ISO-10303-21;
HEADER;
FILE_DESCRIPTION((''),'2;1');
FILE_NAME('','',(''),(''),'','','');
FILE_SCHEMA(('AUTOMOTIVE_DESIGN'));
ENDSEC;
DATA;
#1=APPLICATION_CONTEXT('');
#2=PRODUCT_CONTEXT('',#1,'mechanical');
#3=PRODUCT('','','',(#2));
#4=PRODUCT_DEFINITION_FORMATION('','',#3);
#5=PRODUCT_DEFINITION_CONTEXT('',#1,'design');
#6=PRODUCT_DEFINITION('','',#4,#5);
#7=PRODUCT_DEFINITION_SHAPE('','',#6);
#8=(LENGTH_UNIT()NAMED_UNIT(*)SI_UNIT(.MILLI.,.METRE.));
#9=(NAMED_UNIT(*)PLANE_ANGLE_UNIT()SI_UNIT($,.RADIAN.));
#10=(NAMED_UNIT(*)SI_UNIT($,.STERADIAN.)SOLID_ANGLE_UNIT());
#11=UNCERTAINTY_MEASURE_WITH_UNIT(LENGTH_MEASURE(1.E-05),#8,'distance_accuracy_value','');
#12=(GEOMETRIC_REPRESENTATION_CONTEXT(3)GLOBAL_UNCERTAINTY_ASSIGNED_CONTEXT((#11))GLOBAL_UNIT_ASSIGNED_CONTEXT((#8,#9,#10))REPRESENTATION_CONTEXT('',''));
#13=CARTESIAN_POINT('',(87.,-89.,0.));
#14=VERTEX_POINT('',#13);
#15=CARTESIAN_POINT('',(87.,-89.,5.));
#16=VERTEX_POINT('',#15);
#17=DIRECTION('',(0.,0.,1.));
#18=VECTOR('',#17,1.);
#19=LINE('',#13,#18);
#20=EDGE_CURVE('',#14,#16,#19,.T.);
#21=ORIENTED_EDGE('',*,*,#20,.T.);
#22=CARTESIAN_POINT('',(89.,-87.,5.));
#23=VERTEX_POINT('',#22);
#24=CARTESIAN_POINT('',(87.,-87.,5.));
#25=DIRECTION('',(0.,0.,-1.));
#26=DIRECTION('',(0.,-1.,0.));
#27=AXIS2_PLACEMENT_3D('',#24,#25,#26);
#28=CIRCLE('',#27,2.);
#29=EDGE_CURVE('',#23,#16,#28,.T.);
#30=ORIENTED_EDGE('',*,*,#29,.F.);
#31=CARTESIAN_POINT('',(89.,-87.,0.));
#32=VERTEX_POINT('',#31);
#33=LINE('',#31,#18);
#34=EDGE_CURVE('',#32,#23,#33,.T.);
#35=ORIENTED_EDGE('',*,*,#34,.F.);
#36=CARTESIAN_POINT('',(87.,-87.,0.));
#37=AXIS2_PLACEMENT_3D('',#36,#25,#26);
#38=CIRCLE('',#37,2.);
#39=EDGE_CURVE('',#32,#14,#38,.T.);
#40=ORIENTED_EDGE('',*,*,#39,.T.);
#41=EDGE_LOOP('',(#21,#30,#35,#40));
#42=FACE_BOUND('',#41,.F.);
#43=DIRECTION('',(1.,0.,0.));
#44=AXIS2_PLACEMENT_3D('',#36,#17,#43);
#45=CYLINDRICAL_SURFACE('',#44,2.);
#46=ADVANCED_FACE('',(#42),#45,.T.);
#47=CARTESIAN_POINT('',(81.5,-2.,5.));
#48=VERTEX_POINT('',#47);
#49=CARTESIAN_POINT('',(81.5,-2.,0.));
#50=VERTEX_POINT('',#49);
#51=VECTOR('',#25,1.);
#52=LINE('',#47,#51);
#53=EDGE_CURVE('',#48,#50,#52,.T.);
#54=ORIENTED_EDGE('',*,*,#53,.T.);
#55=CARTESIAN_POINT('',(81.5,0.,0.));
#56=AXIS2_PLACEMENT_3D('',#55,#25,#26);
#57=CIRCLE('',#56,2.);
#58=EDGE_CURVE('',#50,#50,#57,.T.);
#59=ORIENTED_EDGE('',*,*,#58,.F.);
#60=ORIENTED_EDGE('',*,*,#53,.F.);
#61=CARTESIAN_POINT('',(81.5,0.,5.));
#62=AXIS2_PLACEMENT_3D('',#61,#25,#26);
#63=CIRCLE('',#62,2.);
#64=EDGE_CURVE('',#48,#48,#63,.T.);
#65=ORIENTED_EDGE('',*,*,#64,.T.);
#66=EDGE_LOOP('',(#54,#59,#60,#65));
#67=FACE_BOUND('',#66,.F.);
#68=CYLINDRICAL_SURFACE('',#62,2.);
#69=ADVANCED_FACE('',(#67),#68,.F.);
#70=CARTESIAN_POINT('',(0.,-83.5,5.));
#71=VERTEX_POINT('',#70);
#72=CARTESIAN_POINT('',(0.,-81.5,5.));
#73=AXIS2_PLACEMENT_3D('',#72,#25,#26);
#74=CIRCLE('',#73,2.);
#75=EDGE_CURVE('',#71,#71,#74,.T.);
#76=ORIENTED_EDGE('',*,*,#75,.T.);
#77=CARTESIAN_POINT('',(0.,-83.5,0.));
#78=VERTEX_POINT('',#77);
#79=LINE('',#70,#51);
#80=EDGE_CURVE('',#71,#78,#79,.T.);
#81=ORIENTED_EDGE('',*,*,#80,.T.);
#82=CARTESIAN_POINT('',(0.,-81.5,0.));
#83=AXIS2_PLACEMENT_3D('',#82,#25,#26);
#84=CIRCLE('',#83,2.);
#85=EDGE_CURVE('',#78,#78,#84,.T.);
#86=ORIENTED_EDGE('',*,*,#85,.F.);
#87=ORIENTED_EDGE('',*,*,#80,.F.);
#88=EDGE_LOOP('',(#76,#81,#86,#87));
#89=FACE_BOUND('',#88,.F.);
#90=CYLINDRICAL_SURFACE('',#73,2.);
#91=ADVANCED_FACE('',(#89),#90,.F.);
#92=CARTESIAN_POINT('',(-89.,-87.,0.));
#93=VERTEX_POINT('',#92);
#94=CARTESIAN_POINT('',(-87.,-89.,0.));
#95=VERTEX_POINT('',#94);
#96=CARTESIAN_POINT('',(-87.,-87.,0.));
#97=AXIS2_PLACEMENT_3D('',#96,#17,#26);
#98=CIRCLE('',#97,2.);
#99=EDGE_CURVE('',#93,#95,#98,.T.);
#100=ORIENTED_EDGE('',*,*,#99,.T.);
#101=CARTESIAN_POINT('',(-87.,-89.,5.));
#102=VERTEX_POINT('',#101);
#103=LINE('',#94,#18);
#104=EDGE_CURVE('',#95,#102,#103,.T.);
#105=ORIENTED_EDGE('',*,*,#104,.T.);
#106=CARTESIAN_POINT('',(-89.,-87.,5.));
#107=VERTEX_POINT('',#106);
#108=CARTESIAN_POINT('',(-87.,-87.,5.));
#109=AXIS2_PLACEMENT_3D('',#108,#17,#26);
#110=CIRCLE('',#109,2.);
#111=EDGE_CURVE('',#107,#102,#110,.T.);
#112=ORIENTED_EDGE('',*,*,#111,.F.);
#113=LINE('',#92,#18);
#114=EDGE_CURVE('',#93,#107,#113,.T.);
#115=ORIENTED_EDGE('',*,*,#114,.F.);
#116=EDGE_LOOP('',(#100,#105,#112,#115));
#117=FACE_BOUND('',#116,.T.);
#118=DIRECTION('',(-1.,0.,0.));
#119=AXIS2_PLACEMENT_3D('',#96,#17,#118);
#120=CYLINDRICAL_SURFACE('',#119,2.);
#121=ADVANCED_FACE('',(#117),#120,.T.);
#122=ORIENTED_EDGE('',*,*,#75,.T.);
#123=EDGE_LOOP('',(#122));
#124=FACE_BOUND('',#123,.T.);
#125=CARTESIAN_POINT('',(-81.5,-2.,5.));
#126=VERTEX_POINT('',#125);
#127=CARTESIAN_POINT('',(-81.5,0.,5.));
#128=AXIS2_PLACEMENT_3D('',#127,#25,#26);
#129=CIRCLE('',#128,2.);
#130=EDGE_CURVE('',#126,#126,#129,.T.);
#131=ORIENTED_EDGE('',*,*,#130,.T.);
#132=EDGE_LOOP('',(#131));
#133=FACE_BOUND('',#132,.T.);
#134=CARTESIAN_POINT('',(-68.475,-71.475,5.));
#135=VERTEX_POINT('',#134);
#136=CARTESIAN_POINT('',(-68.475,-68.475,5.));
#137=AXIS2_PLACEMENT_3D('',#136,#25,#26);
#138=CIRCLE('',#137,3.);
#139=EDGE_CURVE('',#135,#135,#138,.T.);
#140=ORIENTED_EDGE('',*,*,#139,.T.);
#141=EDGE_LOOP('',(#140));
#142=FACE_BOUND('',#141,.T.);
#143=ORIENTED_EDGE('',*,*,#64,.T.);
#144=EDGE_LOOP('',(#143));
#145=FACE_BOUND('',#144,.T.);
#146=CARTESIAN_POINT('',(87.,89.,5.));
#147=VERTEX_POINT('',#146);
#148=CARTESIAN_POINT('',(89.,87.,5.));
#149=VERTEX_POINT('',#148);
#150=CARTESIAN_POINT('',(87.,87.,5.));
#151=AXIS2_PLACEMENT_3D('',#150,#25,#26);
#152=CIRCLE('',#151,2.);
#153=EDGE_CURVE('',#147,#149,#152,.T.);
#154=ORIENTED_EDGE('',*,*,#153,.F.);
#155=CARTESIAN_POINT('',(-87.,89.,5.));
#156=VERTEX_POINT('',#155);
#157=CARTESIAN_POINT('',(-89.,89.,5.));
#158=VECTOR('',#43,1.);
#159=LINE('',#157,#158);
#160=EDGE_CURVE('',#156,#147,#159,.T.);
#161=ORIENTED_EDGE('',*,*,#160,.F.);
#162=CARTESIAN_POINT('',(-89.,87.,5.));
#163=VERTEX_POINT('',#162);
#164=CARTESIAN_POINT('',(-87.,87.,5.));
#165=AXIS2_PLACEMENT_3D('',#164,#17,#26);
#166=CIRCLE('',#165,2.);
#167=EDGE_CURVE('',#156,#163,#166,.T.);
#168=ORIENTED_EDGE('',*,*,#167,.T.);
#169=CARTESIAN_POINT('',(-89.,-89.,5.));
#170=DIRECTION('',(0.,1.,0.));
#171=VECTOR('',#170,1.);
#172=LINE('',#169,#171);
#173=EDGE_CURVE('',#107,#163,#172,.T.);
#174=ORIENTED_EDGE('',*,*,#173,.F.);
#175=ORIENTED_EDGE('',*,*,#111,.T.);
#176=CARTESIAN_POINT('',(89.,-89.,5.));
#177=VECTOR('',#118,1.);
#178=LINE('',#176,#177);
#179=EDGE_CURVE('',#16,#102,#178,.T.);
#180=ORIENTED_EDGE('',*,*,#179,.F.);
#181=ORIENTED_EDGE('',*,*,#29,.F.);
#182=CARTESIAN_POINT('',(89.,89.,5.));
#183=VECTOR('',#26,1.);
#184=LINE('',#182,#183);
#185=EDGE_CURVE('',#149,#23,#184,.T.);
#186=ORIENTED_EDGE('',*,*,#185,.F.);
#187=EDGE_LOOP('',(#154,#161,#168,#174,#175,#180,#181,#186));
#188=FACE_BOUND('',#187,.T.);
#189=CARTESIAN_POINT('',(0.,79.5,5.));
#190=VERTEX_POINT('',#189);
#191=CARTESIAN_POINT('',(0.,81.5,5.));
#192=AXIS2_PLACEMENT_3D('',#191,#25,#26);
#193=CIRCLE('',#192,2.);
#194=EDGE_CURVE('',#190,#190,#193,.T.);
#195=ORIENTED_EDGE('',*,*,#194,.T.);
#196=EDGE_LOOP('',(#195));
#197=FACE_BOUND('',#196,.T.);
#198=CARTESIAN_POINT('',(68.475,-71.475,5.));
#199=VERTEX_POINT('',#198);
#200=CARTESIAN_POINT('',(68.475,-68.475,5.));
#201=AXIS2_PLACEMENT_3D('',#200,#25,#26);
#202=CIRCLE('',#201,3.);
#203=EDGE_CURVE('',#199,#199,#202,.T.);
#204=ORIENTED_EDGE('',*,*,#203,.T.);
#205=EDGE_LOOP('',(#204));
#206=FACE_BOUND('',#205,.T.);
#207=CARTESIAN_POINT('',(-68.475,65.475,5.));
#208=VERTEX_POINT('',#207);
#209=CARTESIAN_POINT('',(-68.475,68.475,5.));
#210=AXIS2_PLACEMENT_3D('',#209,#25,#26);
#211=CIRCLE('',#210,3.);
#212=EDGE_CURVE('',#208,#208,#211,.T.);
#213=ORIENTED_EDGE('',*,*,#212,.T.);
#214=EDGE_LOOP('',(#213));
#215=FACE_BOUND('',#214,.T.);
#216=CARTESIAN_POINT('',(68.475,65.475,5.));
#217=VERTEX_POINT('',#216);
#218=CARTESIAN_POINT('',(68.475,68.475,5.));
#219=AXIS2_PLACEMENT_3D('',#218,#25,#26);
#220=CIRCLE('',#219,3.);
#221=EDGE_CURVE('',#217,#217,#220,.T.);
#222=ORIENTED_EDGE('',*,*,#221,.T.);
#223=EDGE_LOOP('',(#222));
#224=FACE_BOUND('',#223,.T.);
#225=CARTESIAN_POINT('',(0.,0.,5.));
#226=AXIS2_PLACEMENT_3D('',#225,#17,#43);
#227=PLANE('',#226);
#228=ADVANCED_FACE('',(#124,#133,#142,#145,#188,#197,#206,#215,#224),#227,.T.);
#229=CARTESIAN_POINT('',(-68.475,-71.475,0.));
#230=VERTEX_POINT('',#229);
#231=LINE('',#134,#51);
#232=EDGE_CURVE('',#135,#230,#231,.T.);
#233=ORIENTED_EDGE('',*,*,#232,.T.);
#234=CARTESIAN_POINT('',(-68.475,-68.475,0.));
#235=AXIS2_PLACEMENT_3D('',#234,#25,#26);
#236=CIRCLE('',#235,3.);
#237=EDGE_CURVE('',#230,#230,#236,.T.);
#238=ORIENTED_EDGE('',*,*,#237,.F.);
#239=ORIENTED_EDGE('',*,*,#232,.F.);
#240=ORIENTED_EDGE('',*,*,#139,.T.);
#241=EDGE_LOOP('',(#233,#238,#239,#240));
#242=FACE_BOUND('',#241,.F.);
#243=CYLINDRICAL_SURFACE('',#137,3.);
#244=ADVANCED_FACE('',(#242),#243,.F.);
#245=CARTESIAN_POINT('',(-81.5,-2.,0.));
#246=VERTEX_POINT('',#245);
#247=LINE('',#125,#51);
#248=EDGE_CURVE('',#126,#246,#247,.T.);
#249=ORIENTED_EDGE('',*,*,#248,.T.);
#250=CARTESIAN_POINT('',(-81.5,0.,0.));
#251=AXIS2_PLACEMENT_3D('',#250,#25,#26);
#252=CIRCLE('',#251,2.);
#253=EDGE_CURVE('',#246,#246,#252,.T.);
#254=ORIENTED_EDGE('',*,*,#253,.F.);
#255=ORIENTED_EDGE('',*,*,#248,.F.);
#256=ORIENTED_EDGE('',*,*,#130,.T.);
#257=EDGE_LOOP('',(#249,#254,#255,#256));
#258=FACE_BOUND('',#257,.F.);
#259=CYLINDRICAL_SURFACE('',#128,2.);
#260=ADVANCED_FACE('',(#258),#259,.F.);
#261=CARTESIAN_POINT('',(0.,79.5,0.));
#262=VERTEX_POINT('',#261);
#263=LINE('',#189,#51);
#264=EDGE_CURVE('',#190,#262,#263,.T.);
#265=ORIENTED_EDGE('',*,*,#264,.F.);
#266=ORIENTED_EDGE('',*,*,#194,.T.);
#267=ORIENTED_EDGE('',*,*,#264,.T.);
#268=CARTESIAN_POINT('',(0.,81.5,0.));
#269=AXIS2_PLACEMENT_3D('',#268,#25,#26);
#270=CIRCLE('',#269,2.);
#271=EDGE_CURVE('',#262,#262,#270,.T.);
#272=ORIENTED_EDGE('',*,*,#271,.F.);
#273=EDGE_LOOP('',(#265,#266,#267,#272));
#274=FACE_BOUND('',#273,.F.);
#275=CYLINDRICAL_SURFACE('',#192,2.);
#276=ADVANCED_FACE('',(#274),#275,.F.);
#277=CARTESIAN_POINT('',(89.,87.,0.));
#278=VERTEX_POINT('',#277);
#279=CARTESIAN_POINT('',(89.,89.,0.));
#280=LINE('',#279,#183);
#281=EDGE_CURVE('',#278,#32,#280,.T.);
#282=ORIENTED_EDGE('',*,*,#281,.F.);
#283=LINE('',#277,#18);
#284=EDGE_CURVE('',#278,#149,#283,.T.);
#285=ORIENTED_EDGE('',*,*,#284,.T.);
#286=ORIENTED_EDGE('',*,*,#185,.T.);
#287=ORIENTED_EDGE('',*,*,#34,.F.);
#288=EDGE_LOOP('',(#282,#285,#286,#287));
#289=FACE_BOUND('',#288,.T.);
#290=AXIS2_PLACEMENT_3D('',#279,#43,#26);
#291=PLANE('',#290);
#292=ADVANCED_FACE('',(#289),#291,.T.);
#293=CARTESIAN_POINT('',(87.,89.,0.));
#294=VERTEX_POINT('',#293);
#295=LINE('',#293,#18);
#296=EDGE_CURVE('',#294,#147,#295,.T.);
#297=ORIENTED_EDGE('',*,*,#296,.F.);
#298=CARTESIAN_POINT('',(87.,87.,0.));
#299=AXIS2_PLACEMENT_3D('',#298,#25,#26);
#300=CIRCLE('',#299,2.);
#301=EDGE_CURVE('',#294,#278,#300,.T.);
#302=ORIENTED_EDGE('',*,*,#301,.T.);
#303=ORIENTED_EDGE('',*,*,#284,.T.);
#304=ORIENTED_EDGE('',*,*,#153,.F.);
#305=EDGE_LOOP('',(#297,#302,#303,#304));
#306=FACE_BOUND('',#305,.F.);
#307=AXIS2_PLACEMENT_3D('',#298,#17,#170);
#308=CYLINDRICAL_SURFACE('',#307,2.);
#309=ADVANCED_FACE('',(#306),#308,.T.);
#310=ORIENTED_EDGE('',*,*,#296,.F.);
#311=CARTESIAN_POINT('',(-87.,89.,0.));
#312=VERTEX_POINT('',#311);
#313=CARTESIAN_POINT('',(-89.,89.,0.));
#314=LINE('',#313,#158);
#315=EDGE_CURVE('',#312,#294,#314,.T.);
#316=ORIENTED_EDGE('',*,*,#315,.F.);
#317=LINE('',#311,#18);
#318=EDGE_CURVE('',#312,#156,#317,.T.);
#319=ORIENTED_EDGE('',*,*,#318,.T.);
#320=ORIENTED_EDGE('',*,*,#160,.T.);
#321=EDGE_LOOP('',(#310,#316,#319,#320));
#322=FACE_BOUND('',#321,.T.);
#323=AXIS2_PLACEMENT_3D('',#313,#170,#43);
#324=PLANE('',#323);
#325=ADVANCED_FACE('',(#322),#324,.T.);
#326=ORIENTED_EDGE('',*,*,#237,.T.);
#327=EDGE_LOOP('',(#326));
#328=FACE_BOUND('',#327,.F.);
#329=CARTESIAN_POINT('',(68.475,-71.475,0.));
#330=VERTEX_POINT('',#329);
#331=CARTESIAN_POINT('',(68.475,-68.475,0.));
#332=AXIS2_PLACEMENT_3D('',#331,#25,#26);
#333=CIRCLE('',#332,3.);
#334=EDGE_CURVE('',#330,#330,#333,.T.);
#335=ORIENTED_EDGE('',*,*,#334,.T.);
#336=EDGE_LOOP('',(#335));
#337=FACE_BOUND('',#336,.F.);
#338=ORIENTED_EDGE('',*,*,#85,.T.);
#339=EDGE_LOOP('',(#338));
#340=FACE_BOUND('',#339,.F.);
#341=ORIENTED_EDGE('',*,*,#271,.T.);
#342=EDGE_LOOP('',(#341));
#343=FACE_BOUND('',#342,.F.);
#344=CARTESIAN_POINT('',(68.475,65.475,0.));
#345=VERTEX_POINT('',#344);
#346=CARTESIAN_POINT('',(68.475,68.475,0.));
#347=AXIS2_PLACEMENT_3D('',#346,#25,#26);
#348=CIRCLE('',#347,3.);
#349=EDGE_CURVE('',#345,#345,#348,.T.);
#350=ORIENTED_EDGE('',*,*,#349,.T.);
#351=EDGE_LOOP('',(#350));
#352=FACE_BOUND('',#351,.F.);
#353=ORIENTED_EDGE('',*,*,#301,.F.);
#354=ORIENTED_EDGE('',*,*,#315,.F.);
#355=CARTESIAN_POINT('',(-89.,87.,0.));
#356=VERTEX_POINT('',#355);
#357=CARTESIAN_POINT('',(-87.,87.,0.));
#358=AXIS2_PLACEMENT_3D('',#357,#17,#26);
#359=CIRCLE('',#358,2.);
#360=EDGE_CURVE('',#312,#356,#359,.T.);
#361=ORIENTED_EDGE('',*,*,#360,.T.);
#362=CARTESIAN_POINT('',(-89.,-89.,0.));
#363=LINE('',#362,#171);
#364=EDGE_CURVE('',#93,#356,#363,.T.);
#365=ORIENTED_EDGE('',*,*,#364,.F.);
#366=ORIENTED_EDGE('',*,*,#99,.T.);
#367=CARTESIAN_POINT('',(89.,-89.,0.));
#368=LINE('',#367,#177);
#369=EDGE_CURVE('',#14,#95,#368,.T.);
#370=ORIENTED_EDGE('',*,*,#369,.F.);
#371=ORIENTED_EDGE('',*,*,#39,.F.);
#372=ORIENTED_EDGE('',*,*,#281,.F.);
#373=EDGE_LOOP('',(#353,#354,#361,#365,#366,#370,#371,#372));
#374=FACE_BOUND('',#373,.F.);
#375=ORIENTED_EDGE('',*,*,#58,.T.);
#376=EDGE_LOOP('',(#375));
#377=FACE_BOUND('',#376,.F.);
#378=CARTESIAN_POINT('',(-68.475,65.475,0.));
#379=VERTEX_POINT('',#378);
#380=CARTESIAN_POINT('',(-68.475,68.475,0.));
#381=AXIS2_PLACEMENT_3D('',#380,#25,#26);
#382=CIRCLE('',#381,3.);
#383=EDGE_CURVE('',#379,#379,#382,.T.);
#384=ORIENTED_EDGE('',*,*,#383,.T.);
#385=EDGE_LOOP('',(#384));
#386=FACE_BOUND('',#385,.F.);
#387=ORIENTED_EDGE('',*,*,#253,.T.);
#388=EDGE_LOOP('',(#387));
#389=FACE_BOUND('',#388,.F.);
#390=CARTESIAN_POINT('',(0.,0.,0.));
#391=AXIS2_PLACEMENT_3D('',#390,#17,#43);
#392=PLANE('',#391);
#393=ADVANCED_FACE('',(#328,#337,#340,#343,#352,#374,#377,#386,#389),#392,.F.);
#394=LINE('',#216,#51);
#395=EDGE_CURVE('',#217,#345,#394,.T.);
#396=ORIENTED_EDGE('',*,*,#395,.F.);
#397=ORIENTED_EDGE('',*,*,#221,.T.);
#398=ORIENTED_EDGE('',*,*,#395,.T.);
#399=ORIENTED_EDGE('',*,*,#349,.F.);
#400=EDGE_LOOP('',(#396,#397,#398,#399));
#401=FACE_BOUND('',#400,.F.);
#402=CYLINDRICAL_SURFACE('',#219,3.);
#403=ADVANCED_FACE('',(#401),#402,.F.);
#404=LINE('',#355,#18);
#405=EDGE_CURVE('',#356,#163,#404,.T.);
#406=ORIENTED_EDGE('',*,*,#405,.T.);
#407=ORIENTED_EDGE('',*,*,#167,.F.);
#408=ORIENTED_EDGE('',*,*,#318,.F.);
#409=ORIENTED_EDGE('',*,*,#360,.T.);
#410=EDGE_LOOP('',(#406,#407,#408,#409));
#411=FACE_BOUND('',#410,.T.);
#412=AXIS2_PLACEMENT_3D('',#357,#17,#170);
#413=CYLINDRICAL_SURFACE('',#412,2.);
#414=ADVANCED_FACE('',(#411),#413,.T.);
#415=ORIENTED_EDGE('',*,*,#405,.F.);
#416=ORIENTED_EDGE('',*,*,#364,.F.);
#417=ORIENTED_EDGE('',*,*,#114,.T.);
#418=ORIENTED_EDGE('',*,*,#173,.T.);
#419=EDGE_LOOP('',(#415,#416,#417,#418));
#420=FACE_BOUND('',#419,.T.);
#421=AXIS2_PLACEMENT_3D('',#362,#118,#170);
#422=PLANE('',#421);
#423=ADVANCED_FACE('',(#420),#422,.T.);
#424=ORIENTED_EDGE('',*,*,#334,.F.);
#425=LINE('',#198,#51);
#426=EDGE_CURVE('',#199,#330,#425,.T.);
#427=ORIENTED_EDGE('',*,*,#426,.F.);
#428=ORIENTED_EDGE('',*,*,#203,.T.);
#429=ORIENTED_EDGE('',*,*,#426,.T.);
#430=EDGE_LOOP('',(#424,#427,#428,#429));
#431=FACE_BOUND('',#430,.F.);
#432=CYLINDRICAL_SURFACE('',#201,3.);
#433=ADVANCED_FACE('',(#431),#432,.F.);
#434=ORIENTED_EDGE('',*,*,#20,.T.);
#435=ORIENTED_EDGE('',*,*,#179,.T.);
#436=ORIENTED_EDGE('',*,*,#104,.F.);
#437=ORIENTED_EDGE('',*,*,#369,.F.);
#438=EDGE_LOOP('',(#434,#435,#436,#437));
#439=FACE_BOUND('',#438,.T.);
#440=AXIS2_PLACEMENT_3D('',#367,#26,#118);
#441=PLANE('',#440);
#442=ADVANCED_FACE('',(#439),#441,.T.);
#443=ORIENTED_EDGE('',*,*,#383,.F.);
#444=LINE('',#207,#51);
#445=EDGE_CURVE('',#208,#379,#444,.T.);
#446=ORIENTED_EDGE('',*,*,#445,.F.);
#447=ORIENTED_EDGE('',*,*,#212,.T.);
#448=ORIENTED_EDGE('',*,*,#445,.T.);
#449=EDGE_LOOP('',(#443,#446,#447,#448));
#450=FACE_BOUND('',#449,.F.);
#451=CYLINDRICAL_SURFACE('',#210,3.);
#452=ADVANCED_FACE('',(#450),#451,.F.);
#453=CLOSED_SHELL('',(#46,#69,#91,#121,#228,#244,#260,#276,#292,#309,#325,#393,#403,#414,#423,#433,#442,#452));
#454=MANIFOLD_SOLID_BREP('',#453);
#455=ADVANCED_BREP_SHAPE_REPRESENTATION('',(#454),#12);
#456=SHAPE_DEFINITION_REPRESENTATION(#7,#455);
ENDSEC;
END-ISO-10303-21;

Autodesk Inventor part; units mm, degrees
ref_plane "YZ Plane" through (0, 0, 0) normal (1, 0, 0) x (0, 1, 0)
ref_plane "XZ Plane" through (0, 0, 0) normal (0, 1, 0) x (-1, 0, 0)
ref_plane "XY Plane" through (0, 0, 0) normal (0, 0, 1) x (1, 0, 0)
sketch "Sketch1" plane through (0, 0, 0) normal (0, 0, 1) x (1, 0, 0)
  line L0 (-89, 89) -> (89, 89)
  line L1 (89, 89) -> (89, -89)
  line L2 (89, -89) -> (-89, -89)
  line L3 (-89, -89) -> (-89, 89)
  point P0 (0, 0)
  dimension "d33" = 178
  dimension "d34" = 89
  dimension "d35" = 89
extrude "Extrusion1" add sketch "Sketch1" along normal blind 5
sketch "Sketch2" plane through (0, 0, 5) normal (0, 0, 1) x (1, 0, 0)
  circle A0 centre (-81.5, 0) radius 2
  circle A1 centre (81.5, 0) radius 2
  line L0 (-78.5, 36.125) -> (-78.5, 56.125) projected
  line L1 (78.5, 56.125) -> (78.5, 36.125) projected
  circle A2 centre (0, 81.5) radius 2
  circle A3 centre (0, -81.5) radius 2
  line L2 (36.125, 78.5) -> (56.125, 78.5) projected
  line L3 (56.125, -78.5) -> (36.125, -78.5) projected
  line L4 (-89, 89) -> (-89, -89) projected
  line L5 (89, 89) -> (-89, 89) projected
  line L6 (89, -89) -> (89, 89) projected
  line L7 (-89, -89) -> (89, -89) projected
  point P0 (0, 0)
  point P1 (-78.5, -56.125)
  point P2 (78.5, -56.125)
  point P3 (-56.125, 78.5)
  point P4 (-56.125, -78.5)
  dimension "d18" = 4
  dimension "d37" = 7.5
  dimension "d38" = 7.5
  dimension "d39" = 7.5
  dimension "d40" = 7.5
hole "Hole1" at (-81.5, 0, 5) at (0, 81.5, 5) at (81.5, 0, 5) at (0, -81.5, 5) direction (0, 0, -1) diameter 4 end through all
fillet "Fillet1" radius 2 4 edges at (-89, -89, 2.5) (-89, 89, 2.5) (89, -89, 2.5) (89, 89, 2.5)
sketch "Sketch3" plane through (0, 0, 5) normal (0, 0, 1) x (1, 0, 0)
  line L0 (68.475, -68.475) -> (-68.475, -68.475)
  line L1 (-68.475, -68.475) -> (-68.475, 68.475)
  line L2 (-68.475, 68.475) -> (68.475, 68.475)
  line L3 (68.475, 68.475) -> (68.475, -68.475)
  line L4 (68.475, -68.475) -> (-68.475, 68.475) construction
  line L5 (-68.475, -68.475) -> (68.475, 68.475) construction
  circle A0 centre (-68.475, 68.475) radius 4.875
  point P0 (0, 0)
  dimension "d31" = 136.95
  dimension "d32" = 9.75
hole "Hole2" at (-68.475, 68.475, 5) at (68.475, 68.475, 5) at (68.475, -68.475, 5) at (-68.475, -68.475, 5) direction (0, 0, -1) diameter 6 end through all
equation "\"d34\" = 0.5 * d33"
equation "\"d35\" = 0.5 * d33"
equation "\"d38\" = d37"
equation "\"d39\" = d37"
equation "\"d40\" = d37"
equation "\"d21\" = d18"
equation "\"d6\" = 0.5 * d3"
equation "\"d7\" = 0.5 * d2"
equation "\"d3\" = 157"
equation "\"d2\" = 157"
properties part number "WaagePlexiOben2" material "PET Plastic"
